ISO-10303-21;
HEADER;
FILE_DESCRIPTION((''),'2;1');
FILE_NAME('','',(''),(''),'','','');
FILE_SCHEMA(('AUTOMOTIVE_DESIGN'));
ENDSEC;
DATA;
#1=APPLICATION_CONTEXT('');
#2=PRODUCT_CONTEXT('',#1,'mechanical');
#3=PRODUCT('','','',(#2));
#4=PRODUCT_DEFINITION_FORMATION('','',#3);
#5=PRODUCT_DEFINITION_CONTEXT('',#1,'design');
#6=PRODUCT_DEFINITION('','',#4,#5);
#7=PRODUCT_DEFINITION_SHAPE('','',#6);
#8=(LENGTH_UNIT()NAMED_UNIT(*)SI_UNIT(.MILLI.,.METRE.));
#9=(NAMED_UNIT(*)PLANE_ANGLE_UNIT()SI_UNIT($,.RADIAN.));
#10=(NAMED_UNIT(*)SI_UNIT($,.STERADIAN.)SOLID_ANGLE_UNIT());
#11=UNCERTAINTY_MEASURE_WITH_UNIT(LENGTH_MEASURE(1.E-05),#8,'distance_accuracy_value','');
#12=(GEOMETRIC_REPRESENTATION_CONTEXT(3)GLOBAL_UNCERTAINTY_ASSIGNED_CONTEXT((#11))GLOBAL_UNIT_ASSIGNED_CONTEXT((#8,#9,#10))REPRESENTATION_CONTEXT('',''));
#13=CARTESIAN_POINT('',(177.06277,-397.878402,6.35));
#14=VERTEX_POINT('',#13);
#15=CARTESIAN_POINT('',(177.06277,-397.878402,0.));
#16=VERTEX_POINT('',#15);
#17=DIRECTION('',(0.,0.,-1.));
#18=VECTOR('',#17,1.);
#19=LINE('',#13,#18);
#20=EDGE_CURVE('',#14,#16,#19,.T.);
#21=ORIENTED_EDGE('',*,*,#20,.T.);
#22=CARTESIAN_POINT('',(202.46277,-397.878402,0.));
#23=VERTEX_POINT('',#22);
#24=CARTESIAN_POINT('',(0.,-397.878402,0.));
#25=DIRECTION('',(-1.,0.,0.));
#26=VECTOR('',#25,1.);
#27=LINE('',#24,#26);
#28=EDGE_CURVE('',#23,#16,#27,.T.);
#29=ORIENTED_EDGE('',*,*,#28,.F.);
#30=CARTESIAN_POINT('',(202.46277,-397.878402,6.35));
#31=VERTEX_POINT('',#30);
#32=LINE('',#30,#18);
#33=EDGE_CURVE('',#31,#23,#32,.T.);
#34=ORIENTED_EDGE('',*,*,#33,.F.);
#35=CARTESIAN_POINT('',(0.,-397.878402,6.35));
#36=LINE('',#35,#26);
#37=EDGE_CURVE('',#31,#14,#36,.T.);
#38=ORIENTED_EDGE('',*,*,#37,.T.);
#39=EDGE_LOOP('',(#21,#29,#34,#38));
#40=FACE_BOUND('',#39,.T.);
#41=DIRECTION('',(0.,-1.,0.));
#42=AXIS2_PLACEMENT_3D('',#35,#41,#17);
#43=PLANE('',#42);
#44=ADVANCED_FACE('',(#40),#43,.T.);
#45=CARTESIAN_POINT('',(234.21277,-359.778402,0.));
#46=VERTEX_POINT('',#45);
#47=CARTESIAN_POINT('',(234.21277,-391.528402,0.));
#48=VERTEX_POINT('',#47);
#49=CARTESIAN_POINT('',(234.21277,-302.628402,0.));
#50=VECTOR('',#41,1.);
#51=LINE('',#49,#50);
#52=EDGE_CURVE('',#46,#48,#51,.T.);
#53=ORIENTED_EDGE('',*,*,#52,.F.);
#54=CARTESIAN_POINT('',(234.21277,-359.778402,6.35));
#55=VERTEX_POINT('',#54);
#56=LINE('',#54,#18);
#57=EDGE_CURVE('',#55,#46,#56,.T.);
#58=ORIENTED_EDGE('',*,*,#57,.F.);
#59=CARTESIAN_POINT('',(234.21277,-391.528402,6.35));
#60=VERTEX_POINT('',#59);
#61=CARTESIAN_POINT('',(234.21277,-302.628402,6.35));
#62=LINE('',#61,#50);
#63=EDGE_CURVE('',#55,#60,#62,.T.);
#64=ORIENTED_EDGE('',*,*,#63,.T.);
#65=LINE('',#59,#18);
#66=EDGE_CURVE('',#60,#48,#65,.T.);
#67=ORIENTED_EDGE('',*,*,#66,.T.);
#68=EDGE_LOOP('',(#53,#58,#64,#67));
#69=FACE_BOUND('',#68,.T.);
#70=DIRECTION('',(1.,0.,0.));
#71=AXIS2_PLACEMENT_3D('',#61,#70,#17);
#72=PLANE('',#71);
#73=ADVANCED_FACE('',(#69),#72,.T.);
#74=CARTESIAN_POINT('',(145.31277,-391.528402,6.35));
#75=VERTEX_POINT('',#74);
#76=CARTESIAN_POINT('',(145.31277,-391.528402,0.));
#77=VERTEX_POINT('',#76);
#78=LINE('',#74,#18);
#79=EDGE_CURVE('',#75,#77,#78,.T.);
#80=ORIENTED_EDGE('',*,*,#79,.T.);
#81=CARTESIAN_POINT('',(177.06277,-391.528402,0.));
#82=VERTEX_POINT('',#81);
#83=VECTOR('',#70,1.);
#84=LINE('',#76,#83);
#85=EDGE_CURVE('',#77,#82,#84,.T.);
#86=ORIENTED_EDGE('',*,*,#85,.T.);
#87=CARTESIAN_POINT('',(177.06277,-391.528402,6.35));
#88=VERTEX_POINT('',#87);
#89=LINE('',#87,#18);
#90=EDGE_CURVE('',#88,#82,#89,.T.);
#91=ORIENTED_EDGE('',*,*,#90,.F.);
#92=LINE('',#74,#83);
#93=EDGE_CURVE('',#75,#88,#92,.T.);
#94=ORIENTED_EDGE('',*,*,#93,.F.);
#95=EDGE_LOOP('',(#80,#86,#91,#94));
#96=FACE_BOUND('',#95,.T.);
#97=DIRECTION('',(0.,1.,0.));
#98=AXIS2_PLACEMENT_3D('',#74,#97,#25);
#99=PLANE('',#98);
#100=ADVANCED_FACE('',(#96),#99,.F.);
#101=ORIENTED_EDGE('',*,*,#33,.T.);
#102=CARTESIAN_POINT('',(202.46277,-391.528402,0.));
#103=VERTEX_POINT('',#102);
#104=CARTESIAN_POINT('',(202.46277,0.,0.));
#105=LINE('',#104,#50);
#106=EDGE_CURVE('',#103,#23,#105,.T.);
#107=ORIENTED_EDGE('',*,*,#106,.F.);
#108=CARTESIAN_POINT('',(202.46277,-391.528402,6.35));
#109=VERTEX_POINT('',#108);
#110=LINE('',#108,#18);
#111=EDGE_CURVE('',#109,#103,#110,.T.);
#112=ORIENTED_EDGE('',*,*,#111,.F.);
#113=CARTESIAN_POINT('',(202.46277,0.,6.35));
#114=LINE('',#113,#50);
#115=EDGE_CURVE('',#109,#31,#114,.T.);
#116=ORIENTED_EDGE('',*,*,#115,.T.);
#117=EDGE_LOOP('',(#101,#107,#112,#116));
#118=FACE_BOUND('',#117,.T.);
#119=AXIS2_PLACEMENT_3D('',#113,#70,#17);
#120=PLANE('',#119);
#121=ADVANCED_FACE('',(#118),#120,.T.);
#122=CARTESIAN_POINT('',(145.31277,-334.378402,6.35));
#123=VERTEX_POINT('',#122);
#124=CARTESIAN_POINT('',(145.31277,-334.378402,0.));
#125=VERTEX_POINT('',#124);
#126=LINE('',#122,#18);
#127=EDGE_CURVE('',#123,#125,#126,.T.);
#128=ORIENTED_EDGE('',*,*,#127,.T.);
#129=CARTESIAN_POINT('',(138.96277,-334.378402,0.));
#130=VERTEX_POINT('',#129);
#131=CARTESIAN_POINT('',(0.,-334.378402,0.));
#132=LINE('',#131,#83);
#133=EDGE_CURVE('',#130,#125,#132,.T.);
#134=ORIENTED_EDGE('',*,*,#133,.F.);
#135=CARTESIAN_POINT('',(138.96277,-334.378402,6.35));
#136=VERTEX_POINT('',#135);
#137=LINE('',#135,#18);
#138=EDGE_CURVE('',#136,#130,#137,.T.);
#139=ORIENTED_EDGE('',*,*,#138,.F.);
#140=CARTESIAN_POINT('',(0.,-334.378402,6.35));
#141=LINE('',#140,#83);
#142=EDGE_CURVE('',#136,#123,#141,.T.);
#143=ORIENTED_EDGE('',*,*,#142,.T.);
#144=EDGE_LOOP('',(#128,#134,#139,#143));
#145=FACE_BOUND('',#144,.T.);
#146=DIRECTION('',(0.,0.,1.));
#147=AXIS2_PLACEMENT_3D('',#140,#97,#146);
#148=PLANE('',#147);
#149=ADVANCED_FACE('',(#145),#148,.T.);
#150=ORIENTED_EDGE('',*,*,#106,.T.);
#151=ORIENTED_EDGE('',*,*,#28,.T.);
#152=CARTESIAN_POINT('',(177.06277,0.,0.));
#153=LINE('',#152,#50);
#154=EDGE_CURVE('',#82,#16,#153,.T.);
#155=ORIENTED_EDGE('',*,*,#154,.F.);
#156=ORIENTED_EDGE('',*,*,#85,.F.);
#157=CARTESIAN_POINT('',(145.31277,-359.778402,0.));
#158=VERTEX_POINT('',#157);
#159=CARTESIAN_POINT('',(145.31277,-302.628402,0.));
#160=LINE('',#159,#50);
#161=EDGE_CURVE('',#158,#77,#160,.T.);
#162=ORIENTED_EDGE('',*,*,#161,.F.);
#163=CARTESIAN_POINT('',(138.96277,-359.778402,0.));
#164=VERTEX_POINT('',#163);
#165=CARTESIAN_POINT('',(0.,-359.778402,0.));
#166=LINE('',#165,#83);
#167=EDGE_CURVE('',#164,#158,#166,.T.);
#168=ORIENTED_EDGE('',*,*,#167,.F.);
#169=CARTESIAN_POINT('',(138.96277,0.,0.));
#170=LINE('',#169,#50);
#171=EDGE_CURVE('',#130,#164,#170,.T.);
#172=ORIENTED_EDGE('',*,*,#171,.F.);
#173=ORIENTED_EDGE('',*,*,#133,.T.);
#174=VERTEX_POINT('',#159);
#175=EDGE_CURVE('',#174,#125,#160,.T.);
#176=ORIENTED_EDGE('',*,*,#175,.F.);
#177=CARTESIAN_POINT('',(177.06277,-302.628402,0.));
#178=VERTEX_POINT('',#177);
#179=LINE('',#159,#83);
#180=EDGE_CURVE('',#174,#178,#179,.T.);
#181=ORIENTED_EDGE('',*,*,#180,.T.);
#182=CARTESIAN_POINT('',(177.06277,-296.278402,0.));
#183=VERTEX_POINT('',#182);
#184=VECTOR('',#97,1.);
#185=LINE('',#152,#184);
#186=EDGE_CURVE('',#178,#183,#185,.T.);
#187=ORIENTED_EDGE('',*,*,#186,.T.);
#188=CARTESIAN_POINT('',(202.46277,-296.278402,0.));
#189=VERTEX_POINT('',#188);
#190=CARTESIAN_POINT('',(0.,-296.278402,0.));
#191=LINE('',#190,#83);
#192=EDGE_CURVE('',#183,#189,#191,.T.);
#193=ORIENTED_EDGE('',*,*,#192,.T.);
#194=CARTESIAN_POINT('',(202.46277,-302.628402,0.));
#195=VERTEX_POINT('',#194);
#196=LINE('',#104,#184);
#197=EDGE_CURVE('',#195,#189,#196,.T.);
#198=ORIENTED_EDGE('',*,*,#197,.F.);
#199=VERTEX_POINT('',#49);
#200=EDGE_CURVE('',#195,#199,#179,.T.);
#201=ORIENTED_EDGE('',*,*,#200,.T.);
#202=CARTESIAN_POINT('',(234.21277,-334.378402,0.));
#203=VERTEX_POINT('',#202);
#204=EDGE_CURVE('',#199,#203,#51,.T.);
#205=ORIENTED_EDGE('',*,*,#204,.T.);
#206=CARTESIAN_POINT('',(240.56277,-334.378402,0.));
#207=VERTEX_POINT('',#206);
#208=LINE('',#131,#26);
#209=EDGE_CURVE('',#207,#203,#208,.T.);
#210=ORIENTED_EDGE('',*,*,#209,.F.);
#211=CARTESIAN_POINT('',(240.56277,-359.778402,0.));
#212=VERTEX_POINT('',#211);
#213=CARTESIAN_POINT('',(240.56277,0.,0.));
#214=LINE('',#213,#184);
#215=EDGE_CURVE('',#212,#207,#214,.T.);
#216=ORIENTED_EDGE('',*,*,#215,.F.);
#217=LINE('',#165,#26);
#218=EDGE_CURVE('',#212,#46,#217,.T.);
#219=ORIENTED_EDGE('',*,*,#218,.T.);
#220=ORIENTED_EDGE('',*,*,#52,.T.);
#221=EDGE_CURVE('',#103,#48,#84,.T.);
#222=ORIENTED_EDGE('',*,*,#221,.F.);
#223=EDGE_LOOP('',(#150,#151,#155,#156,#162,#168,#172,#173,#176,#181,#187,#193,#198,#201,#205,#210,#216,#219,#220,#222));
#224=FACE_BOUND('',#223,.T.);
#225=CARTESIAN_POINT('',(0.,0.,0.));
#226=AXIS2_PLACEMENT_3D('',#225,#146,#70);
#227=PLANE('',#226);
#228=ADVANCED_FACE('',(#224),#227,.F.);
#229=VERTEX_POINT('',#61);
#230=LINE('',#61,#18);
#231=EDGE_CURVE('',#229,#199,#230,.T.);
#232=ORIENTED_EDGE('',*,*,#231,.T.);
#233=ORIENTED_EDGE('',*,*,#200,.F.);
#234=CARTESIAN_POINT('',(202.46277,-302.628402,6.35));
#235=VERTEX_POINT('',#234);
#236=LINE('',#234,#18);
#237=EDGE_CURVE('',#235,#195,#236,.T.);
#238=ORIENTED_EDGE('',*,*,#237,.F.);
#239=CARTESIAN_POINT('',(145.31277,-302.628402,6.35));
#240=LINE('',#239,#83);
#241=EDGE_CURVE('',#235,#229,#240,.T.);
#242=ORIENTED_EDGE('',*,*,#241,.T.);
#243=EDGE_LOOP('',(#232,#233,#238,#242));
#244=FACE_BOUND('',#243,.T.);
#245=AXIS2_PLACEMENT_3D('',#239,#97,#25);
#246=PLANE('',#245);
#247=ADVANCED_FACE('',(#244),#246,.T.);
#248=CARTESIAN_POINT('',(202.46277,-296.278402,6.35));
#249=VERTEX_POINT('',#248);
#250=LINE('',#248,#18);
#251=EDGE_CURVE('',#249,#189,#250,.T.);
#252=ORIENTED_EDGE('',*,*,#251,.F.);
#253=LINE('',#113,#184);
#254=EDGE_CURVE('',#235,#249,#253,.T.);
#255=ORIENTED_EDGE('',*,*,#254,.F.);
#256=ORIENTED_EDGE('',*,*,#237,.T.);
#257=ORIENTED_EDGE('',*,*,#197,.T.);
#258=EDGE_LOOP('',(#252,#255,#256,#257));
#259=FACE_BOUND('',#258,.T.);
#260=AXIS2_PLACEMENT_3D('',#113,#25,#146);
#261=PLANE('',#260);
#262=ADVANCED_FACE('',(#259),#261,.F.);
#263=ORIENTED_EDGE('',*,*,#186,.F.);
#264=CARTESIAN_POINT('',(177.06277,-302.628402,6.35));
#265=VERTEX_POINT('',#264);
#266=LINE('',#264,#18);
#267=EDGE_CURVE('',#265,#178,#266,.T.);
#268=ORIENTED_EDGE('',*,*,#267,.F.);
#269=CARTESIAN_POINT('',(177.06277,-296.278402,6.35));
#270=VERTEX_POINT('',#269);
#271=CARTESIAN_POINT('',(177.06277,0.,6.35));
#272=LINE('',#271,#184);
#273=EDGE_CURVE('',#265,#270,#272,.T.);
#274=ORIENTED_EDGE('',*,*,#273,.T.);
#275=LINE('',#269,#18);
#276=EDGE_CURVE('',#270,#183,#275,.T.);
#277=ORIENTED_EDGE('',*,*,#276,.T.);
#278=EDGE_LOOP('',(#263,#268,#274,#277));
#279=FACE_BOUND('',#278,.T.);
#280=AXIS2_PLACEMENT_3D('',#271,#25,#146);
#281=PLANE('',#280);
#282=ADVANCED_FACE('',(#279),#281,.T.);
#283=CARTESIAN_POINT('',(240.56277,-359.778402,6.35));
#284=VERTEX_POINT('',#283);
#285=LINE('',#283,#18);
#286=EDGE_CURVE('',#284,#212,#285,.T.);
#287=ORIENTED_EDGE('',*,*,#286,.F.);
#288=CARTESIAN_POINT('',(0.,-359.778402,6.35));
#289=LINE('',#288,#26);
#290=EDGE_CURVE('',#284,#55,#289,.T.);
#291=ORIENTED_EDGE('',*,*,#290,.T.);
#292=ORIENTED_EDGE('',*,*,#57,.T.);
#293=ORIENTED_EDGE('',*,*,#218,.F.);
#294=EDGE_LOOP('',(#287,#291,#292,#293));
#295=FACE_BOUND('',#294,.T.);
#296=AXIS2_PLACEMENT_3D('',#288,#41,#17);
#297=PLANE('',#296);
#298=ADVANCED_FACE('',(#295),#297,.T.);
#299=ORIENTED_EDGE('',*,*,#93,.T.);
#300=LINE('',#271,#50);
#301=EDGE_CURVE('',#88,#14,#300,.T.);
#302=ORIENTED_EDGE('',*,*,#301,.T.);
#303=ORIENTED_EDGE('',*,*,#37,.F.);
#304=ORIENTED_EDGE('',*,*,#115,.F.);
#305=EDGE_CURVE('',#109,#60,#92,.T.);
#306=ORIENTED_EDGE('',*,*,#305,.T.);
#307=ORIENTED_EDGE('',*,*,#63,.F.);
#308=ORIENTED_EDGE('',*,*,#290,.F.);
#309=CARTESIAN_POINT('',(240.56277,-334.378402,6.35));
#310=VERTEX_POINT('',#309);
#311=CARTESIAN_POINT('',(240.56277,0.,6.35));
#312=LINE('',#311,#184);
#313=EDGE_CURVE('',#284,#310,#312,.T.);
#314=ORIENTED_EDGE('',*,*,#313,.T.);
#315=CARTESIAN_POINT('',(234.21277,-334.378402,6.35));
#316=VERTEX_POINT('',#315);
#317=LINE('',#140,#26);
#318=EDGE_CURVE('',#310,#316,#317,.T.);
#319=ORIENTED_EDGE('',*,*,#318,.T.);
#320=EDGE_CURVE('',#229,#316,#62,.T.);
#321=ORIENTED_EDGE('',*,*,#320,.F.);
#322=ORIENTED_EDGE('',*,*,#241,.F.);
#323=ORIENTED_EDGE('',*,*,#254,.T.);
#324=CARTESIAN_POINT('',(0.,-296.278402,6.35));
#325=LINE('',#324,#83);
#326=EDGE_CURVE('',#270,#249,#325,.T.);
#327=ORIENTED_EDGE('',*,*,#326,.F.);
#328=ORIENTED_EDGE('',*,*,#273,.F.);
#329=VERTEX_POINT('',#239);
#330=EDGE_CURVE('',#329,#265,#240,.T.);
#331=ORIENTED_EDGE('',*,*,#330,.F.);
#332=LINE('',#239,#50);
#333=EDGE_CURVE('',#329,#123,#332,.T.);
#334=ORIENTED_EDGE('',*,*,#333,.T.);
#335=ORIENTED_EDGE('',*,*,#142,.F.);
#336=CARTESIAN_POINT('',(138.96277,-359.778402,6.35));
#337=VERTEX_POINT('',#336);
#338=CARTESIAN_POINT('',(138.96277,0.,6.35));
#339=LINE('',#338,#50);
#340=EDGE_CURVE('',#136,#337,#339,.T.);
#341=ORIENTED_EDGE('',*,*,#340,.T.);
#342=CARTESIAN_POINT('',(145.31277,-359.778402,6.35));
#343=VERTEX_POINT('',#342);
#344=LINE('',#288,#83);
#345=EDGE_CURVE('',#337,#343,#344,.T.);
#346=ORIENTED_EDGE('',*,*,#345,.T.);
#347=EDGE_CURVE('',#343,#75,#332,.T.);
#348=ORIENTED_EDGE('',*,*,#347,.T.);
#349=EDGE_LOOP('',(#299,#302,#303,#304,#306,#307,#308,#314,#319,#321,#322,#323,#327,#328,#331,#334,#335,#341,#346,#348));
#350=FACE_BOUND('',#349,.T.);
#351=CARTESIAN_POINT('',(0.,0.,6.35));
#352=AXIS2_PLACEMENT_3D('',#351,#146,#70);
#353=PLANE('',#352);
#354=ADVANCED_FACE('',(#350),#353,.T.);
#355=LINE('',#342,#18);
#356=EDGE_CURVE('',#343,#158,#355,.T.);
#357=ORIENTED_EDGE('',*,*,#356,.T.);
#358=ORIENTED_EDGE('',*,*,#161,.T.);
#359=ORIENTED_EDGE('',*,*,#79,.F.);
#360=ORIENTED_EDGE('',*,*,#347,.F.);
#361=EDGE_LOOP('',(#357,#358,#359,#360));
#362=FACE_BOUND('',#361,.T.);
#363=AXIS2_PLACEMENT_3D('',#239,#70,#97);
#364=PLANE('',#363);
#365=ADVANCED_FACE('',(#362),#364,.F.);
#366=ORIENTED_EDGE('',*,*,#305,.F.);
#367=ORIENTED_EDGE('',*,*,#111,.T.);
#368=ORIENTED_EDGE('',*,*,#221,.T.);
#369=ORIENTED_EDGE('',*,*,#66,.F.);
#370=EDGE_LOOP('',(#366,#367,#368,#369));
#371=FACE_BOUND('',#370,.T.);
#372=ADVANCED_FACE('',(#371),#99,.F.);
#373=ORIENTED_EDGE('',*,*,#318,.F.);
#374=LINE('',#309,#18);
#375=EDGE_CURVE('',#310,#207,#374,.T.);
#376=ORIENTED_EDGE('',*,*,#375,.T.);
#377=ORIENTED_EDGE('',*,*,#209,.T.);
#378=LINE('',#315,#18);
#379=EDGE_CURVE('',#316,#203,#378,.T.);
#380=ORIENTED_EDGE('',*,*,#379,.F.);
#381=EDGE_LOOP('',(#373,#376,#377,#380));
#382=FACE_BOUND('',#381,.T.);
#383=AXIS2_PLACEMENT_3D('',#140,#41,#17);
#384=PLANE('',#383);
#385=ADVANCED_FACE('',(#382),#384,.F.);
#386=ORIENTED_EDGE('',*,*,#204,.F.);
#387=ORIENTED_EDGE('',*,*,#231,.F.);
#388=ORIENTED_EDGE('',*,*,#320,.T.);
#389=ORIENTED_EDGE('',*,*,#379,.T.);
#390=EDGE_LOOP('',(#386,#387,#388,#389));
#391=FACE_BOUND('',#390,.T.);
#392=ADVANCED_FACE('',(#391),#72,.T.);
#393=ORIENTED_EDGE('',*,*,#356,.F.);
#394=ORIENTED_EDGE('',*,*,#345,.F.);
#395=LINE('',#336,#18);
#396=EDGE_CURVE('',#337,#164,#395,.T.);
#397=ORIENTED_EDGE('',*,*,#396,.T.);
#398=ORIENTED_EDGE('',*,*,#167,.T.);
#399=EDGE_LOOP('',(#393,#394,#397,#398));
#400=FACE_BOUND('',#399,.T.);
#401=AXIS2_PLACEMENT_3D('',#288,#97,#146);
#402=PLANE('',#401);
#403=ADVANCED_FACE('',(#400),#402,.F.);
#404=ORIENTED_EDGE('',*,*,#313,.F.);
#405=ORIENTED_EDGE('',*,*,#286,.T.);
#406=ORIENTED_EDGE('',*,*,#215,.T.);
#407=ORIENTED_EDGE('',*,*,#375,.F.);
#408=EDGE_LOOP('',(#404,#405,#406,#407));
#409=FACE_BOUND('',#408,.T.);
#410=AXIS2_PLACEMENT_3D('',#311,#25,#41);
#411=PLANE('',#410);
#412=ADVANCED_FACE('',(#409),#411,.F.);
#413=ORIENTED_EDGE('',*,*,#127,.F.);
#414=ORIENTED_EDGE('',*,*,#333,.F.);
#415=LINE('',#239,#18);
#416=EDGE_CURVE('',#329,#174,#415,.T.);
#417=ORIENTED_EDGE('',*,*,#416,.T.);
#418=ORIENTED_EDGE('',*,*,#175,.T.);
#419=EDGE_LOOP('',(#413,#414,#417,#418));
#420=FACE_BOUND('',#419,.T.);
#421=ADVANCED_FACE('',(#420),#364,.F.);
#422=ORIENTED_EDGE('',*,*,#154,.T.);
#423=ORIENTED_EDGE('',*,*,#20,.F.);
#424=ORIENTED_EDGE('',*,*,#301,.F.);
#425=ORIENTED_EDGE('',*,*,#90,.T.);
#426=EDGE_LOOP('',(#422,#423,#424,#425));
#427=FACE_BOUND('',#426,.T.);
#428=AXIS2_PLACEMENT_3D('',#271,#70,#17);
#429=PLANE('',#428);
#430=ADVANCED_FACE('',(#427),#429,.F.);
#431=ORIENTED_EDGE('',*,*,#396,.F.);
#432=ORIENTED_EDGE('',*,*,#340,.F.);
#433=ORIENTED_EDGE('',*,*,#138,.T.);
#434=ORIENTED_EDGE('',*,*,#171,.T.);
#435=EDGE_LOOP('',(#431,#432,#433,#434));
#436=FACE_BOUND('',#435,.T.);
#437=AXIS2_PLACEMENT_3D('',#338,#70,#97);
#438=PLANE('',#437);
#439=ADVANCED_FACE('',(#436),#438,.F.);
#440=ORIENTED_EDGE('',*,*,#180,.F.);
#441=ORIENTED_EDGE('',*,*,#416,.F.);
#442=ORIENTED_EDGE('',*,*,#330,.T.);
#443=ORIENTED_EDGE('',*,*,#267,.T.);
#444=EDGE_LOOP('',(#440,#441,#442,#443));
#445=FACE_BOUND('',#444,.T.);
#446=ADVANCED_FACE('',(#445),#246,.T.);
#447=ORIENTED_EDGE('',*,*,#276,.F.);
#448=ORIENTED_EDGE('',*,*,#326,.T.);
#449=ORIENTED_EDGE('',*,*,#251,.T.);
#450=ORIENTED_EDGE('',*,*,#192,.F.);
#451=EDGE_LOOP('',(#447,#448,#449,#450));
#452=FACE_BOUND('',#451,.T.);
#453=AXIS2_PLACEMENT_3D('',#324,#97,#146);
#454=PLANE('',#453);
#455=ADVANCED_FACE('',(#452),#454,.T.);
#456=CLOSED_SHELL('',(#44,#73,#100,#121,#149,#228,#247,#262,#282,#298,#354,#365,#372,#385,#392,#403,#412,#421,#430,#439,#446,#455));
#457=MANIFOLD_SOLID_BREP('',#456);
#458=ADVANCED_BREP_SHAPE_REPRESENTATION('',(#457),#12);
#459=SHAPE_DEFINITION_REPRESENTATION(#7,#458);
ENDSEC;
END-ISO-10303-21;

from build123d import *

# Parameters (mm, degrees)
BOSS_EXTRUDE1_DEPTH = 6.35


with BuildPart() as part:
    # Sketch5 → Boss-Extrude1 (new body)
    with BuildSketch(Plane.XY):
        Polygon((177.062770275, -302.628401611), (145.312770275, -302.628401611), (145.312770275, -334.378401611), (138.962770275, -334.378401611), (138.962770275, -359.778401611), (145.312770275, -359.778401611), (145.312770275, -391.528401611), (177.062770275, -391.528401611), (177.062770275, -397.878401611), (202.462770275, -397.878401611), (202.462770275, -391.528401611), (234.212770275, -391.528401611), (234.212770275, -359.778401611), (240.562770275, -359.778401611), (240.562770275, -334.378401611), (234.212770275, -334.378401611), (234.212770275, -302.628401611), (202.462770275, -302.628401611), (202.462770275, -296.278401611), (177.062770275, -296.278401611), align=None)
    extrude(amount=BOSS_EXTRUDE1_DEPTH)


solid = part.part
